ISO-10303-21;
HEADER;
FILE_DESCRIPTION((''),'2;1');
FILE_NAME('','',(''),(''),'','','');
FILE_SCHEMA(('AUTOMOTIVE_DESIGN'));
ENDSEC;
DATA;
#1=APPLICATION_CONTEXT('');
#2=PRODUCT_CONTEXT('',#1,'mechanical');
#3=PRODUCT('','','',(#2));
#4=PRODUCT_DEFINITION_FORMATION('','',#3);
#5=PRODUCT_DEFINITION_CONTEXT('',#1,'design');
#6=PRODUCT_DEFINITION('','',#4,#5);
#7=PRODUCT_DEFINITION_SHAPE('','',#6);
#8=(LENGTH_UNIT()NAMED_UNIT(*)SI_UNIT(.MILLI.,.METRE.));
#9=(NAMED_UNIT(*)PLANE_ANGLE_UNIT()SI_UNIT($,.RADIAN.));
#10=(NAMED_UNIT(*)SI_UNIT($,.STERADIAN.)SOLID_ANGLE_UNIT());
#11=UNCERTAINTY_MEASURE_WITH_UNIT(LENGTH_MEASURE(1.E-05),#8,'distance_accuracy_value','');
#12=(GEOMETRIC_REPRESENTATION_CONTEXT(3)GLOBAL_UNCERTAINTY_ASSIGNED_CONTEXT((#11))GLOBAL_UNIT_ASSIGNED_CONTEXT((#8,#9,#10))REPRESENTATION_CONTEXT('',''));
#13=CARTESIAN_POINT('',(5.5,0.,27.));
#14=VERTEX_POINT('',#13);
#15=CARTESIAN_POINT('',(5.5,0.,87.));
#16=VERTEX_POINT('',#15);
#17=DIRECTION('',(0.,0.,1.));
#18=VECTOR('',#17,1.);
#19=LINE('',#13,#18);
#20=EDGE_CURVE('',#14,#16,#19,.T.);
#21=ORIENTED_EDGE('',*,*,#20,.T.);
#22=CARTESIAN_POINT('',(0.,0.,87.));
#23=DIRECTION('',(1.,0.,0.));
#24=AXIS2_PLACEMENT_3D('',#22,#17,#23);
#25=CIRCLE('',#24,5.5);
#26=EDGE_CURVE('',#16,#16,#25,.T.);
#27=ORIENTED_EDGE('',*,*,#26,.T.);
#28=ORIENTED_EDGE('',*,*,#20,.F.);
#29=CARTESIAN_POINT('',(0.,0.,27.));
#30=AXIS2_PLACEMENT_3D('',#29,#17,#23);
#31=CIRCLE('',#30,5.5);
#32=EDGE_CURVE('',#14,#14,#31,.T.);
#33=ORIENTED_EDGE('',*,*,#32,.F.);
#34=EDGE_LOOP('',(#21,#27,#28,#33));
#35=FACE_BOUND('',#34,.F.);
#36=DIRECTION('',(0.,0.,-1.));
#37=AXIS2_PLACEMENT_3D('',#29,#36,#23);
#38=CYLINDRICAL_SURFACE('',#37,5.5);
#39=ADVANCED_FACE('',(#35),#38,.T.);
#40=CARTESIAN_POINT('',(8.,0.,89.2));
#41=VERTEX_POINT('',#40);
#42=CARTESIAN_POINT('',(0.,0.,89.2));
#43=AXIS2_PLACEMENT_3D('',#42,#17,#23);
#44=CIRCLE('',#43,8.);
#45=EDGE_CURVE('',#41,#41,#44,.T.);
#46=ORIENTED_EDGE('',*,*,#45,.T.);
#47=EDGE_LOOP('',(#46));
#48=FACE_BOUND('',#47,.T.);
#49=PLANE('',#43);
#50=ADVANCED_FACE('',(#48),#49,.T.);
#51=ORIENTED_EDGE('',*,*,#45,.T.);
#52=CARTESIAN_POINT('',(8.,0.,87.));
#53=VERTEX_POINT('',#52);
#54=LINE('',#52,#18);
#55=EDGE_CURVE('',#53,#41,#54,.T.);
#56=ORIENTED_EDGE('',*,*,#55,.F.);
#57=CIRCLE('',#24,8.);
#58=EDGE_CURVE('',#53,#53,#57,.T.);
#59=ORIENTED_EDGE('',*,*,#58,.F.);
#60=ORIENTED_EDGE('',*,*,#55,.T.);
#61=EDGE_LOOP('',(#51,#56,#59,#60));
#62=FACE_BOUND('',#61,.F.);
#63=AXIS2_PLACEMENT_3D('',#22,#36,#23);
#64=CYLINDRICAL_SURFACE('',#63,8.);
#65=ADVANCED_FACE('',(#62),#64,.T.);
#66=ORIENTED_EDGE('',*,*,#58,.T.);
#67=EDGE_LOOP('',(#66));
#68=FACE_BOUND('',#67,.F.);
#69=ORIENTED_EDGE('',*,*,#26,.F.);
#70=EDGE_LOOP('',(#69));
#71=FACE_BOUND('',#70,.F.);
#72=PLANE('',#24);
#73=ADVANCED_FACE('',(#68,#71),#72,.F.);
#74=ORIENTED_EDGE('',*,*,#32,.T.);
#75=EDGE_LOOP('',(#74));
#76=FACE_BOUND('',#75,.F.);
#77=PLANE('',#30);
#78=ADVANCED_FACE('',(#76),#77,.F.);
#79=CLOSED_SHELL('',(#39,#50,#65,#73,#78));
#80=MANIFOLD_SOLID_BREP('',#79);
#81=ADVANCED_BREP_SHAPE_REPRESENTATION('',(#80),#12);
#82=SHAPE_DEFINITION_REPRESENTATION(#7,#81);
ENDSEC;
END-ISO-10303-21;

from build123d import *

# Parameters (mm, degrees)
CYLINDER110_R     = 5.5
CYLINDER110_DEPTH = 60
CYLINDER109_R     = 8
CYLINDER109_DEPTH = 2.2


with BuildPart() as syringe_pusher_body:
    # Cylinder110 → Cylinder110 (new body)
    with BuildSketch(Plane.XY):
        Circle(CYLINDER110_R)
    extrude(amount=CYLINDER110_DEPTH)


with BuildPart() as syringe_pusher:
    # Cylinder109 → Cylinder109 (new body)
    with BuildSketch(Plane.XY.offset(60)):
        Circle(CYLINDER109_R)
    extrude(amount=CYLINDER109_DEPTH)

    # Fusion012: union syringe pusher body
    add(syringe_pusher_body.part)


with BuildPart() as syringe_pusher_1:
    # Fusion012 placement: moved
    add(syringe_pusher.part.moved(Location((0, 0, 27))))


solid = syringe_pusher_1.part
